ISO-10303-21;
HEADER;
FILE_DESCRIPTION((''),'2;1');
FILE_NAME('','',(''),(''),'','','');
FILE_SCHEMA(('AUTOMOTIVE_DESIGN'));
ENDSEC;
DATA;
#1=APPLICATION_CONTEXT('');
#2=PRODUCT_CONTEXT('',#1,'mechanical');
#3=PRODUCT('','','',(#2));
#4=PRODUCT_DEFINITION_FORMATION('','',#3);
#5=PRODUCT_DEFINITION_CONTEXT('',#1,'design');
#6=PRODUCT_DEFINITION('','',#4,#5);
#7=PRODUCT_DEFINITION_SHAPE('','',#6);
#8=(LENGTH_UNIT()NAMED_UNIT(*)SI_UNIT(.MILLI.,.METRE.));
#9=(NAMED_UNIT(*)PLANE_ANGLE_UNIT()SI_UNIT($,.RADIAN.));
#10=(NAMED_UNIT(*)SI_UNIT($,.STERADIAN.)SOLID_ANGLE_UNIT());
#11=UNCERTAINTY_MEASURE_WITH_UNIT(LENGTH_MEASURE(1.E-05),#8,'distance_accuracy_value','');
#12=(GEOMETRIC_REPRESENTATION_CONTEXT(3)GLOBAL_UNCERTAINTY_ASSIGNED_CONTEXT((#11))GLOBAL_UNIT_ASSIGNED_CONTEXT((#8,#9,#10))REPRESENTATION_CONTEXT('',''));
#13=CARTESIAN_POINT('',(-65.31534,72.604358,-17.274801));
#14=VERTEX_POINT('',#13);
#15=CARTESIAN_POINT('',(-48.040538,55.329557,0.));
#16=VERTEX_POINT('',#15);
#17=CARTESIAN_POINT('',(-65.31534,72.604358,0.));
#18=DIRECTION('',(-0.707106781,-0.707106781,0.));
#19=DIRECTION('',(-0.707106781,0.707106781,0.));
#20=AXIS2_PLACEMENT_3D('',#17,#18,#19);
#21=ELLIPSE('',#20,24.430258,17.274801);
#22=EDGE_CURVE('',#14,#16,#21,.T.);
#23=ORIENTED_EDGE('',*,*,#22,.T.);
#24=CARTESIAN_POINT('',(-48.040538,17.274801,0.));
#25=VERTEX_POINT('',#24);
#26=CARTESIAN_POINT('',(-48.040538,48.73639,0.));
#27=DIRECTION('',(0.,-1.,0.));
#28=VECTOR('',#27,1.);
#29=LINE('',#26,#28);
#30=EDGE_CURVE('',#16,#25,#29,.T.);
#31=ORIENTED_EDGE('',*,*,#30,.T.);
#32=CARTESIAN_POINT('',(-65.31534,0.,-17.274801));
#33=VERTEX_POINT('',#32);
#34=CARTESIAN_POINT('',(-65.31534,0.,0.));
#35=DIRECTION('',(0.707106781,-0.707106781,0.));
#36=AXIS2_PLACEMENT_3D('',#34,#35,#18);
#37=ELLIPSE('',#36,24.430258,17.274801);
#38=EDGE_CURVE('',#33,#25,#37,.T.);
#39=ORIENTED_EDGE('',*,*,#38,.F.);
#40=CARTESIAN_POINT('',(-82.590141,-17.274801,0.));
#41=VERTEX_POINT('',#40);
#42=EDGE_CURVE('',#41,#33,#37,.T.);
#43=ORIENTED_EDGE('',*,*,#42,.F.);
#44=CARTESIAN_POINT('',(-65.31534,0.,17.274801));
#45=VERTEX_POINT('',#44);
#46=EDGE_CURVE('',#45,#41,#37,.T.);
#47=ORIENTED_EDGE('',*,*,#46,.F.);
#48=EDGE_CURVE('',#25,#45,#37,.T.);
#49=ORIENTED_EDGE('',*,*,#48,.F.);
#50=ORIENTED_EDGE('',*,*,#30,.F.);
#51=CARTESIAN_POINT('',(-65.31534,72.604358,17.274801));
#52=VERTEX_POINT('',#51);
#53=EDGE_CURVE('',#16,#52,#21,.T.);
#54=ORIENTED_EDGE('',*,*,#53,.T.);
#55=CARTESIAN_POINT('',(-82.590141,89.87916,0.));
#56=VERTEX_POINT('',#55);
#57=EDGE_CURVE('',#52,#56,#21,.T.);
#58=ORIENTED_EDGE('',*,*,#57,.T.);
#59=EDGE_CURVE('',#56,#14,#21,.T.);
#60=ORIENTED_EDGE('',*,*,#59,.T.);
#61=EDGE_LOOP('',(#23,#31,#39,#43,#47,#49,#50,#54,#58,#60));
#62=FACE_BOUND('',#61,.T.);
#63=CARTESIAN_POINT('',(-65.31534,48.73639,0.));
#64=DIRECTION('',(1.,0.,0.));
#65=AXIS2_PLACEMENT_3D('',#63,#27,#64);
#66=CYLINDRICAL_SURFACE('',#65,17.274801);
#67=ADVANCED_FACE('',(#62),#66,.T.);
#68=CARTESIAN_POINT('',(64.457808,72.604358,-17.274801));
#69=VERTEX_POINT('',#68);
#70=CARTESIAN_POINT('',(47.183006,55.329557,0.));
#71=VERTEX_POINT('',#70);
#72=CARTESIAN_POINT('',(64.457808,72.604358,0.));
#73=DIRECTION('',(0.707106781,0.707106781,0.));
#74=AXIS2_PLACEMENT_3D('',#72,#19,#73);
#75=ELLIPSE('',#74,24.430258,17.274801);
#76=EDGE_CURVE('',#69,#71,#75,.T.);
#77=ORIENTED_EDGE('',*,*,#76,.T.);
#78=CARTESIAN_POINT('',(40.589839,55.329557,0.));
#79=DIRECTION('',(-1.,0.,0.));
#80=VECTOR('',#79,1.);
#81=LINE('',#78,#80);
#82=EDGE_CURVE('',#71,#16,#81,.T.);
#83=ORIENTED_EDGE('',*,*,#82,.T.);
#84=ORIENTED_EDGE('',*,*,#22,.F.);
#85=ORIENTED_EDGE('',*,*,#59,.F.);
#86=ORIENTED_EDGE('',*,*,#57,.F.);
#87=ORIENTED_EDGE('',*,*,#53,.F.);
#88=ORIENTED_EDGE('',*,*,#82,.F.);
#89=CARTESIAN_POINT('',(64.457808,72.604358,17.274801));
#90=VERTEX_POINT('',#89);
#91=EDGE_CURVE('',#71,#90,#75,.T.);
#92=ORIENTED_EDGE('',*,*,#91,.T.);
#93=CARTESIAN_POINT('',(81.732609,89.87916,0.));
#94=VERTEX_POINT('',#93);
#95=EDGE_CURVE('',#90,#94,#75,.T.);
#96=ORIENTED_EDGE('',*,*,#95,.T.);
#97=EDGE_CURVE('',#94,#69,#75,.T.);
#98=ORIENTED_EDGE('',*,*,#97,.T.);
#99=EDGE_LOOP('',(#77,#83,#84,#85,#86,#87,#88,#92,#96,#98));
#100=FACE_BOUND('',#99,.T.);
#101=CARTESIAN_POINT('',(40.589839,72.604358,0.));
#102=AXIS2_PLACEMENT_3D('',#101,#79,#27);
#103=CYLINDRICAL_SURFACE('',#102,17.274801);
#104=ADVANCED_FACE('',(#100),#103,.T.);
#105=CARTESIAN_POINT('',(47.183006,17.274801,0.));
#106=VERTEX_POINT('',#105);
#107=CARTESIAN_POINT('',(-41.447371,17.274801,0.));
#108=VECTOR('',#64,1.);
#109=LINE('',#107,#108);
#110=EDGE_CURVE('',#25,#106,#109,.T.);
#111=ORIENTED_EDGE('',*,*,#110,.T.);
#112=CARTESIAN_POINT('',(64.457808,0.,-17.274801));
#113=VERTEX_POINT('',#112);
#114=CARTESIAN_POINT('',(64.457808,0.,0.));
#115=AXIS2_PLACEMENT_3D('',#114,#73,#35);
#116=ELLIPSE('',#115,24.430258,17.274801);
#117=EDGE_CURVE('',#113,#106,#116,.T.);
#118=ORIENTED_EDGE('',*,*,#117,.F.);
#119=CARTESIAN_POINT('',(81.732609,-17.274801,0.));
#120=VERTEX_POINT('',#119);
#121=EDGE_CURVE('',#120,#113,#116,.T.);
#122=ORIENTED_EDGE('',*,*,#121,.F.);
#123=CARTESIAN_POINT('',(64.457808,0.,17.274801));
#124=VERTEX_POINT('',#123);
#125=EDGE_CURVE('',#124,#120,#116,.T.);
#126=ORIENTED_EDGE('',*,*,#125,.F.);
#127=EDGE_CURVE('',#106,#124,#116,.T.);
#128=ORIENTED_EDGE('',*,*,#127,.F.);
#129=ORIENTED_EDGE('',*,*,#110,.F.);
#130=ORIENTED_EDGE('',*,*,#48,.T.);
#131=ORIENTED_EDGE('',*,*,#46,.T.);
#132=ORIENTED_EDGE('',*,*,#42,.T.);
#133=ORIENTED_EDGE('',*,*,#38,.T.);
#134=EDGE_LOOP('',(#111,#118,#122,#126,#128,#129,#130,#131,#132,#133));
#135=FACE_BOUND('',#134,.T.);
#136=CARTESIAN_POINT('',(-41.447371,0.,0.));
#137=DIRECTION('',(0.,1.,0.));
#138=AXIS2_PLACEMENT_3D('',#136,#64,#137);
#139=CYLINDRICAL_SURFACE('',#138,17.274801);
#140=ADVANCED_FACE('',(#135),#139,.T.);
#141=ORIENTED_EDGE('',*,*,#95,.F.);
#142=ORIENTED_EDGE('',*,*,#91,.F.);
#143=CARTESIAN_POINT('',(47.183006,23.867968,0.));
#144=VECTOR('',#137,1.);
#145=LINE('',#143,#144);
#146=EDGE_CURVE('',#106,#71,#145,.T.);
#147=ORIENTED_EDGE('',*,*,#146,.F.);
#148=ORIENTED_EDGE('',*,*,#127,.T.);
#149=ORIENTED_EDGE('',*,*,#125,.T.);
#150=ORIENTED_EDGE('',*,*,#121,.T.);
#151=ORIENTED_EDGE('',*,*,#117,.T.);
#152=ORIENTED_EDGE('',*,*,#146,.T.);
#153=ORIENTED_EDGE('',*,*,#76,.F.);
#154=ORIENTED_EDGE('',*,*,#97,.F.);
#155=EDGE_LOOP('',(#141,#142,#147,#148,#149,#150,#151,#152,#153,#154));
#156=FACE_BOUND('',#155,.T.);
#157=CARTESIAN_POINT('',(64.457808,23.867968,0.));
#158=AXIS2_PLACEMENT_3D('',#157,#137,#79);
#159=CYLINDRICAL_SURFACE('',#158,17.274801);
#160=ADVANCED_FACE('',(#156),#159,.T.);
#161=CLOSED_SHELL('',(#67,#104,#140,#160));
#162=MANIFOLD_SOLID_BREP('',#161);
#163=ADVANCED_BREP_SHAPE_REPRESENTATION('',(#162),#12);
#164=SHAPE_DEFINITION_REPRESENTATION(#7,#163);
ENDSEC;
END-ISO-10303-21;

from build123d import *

# Parameters (mm, degrees)
F1_R = 17.2748013548


with BuildPart() as f2:
    # F2: sweep along a path in F0
    with BuildLine(Plane.XY) as f2_path:
        Line((-41.4473712444, 23.8679684699), (40.58983922, 23.8679684699))
        Line((40.58983922, 23.8679684699), (40.58983922, 48.7363897264))
        Line((40.58983922, 48.7363897264), (-41.4473712444, 48.7363897264))
        Line((-41.4473712444, 48.7363897264), (-41.4473712444, 23.8679684699))
    # F1 (on Right) → F2 (sweep)
    with BuildSketch(Plane.YZ):
        Circle(F1_R)
    sweep(path=f2_path.line, transition=Transition.RIGHT)


solid = f2.part
